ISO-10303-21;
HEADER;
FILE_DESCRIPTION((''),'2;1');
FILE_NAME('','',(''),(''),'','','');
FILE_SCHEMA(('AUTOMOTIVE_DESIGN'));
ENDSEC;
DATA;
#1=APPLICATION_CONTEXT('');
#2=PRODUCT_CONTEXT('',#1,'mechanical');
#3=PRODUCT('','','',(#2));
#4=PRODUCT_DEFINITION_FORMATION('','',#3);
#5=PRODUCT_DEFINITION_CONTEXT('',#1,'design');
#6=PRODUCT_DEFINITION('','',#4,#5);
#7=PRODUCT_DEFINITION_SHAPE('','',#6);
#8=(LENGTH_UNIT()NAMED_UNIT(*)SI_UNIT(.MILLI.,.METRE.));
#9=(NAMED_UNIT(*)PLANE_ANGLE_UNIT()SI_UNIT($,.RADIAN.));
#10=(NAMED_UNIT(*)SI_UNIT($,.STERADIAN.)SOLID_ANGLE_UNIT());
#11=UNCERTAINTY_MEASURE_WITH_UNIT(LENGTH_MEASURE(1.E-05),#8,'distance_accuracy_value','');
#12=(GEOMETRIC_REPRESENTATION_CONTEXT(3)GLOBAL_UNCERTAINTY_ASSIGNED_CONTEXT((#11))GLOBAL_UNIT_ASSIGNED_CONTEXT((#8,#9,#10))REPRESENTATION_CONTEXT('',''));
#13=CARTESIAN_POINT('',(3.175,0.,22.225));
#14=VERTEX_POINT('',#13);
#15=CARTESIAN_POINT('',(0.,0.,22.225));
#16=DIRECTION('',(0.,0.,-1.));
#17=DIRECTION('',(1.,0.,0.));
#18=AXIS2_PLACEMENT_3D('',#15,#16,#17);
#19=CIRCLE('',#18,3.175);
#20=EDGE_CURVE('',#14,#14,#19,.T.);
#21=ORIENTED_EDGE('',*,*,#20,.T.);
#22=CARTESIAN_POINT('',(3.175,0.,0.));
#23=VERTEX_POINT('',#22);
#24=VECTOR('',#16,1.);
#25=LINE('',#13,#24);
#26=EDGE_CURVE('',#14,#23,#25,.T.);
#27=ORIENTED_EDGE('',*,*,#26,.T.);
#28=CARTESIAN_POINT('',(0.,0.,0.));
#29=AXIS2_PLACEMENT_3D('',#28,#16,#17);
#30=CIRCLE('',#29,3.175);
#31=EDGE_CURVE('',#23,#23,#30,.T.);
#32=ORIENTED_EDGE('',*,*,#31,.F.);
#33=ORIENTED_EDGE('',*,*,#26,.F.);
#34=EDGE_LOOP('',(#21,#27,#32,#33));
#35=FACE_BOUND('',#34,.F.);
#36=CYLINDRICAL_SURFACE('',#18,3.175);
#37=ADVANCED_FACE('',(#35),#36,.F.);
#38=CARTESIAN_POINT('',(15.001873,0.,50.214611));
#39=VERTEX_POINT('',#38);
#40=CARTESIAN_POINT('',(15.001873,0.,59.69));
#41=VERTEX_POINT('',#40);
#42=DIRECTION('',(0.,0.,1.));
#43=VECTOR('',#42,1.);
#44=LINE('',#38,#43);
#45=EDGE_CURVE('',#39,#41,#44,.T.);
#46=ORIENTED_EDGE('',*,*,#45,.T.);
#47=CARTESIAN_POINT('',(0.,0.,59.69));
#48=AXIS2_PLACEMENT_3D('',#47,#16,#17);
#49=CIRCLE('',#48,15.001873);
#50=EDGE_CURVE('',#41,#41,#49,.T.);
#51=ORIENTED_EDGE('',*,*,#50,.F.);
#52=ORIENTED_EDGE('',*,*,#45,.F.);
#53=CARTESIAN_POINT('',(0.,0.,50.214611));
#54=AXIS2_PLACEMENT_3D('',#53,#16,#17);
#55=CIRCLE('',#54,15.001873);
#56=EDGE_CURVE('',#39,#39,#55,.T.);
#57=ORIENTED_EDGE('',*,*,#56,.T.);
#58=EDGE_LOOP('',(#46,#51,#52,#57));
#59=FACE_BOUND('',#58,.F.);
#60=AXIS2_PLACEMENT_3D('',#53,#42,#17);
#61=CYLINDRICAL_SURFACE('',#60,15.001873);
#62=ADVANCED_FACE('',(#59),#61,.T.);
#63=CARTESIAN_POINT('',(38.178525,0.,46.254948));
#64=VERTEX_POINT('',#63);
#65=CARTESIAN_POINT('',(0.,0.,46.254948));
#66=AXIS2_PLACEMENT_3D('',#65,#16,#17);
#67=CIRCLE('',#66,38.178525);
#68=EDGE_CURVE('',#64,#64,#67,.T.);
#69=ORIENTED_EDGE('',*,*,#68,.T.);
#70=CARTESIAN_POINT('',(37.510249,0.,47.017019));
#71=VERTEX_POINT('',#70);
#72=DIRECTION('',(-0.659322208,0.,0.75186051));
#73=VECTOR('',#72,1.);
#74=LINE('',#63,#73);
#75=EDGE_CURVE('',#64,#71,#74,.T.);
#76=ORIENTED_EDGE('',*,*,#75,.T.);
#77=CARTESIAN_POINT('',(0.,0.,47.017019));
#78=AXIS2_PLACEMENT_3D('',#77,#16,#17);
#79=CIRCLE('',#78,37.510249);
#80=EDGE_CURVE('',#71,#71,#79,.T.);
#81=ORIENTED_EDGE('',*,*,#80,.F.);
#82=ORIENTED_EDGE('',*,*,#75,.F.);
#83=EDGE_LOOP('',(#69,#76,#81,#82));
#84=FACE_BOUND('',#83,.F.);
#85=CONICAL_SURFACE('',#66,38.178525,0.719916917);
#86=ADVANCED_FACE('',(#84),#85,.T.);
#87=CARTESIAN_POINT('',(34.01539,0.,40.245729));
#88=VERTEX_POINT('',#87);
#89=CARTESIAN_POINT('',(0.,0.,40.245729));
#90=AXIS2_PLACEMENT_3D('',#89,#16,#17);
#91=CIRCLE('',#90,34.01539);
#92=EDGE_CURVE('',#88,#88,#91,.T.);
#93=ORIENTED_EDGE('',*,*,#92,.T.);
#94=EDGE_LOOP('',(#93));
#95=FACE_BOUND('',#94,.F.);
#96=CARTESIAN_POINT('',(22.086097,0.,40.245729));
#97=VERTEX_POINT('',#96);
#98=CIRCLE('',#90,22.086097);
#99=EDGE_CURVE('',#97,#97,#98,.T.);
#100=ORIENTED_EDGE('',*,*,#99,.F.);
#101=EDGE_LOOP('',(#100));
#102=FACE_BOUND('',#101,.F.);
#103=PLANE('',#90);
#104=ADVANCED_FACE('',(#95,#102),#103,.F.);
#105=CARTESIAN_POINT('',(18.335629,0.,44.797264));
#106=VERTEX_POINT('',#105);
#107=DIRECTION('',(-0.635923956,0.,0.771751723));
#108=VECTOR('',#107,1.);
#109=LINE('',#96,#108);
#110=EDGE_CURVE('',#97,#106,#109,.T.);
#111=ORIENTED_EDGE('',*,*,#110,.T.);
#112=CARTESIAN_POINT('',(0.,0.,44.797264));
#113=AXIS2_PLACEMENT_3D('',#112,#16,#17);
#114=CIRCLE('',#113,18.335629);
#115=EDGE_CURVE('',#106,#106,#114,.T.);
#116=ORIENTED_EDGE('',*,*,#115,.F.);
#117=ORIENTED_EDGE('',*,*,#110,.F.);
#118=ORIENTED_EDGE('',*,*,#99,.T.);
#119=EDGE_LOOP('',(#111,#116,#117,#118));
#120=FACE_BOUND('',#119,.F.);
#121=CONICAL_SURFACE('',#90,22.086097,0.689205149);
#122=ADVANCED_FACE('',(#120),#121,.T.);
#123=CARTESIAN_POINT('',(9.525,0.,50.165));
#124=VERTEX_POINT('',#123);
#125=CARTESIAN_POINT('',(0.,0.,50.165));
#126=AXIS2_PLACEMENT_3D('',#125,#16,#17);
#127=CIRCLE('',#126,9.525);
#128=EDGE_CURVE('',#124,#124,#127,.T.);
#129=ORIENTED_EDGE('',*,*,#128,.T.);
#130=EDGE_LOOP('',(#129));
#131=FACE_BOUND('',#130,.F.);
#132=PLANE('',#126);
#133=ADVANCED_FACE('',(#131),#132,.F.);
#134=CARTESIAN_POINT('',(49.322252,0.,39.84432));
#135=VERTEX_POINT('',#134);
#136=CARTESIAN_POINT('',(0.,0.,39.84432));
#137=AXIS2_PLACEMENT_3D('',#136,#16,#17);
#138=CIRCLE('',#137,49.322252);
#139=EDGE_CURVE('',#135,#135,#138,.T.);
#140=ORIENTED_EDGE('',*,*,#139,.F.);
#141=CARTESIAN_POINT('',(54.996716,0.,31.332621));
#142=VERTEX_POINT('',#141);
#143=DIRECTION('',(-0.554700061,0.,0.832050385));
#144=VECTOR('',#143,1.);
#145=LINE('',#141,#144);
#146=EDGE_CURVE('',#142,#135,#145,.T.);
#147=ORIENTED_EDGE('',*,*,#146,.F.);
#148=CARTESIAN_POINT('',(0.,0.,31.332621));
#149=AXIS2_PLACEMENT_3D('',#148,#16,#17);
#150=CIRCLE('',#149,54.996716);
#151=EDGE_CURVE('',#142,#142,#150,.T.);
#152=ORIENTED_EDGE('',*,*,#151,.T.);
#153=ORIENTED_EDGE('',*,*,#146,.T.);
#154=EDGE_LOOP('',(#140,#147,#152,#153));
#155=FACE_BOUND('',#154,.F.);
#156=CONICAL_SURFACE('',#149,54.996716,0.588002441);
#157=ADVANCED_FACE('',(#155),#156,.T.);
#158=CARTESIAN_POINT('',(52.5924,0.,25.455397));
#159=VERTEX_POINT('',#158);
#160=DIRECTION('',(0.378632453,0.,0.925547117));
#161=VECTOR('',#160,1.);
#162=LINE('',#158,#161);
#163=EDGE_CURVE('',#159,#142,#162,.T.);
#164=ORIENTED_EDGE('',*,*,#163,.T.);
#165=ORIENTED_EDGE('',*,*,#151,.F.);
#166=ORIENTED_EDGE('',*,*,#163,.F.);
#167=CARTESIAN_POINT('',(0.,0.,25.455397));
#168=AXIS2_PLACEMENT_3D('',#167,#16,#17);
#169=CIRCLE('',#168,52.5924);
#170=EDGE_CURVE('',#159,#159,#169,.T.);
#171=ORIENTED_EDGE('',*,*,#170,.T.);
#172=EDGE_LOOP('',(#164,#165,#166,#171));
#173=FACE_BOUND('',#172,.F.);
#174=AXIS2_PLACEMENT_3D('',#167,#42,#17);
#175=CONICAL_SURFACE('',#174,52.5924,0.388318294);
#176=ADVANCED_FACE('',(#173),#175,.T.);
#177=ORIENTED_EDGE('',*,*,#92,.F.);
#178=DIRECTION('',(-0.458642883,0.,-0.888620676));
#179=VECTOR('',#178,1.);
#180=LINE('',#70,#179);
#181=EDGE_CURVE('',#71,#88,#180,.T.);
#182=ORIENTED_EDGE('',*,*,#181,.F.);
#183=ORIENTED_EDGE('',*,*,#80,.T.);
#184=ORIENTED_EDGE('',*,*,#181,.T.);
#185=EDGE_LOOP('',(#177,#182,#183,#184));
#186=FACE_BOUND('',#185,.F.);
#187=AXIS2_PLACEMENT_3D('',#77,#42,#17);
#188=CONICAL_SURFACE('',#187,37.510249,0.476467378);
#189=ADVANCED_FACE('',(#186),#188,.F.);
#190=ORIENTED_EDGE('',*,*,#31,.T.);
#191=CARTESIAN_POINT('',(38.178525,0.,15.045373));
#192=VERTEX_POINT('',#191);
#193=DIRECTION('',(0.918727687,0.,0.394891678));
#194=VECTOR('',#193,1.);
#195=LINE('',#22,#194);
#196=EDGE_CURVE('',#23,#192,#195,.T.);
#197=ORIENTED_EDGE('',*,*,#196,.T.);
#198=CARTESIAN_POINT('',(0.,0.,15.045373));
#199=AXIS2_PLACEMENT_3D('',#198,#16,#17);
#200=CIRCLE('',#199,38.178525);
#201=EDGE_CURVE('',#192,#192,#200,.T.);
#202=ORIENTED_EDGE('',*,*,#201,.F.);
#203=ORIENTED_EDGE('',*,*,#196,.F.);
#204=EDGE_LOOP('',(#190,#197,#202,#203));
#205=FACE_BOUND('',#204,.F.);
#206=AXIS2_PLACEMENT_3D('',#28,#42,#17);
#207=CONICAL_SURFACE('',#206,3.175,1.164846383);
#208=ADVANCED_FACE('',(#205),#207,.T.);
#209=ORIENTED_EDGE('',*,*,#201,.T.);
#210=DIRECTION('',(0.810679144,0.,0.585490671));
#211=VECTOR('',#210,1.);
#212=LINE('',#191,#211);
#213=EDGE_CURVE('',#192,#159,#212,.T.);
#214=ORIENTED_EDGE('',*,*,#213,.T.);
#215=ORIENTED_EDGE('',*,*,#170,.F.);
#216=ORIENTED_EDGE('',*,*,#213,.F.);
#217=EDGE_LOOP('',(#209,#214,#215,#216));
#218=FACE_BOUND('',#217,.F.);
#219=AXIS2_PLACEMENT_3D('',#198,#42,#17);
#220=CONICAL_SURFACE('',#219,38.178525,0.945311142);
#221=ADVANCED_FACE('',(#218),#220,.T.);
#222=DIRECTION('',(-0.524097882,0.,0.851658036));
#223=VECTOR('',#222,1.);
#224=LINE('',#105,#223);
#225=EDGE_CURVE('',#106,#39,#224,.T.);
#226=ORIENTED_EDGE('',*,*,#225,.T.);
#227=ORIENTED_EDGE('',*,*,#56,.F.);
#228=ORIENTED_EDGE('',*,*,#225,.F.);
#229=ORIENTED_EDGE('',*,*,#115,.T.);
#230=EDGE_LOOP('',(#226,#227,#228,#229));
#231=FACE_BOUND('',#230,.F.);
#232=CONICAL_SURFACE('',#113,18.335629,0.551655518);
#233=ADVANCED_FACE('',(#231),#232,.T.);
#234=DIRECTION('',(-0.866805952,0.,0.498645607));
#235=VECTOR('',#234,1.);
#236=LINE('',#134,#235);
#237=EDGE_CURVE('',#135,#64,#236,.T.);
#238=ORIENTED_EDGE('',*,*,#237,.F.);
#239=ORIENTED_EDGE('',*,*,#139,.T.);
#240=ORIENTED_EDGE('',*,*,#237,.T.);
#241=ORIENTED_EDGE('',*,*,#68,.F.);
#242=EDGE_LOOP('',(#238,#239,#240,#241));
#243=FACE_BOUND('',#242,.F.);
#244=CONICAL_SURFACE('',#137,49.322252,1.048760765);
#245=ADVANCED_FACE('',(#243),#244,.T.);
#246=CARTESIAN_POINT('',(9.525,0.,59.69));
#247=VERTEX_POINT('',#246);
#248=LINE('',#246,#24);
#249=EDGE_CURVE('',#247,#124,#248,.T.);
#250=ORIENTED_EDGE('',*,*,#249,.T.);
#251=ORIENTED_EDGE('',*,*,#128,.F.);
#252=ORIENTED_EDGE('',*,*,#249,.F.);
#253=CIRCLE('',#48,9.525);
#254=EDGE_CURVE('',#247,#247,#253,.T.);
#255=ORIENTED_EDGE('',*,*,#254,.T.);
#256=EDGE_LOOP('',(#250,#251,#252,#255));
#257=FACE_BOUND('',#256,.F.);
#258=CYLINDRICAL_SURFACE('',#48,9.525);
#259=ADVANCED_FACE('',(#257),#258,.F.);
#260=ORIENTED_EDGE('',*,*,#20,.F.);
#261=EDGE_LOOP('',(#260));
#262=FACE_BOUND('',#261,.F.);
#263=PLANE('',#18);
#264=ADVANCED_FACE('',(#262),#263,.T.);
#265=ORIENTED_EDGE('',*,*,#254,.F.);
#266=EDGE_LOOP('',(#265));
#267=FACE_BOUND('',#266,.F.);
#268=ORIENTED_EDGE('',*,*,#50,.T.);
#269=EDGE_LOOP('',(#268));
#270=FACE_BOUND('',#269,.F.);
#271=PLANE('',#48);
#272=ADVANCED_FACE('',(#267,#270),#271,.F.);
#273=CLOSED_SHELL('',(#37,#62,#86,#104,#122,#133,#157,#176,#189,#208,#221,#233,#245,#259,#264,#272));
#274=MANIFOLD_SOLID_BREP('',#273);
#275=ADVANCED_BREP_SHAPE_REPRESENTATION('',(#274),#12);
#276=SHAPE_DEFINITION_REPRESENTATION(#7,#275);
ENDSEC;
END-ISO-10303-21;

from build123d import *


with BuildPart() as f1:
    # F0 (on Front) → F1 (revolve)
    with BuildSketch(Plane.XZ):
        Polygon((0, 50.165), (0, 22.225), (3.175, 22.225), (3.175, 0), (38.178525, 15.045373), (52.5924, 25.455397), (54.996716, 31.332621), (49.322252, 39.84432), (38.178525, 46.254948), (37.510249, 47.017019), (34.01539, 40.245729), (26.39539, 40.245729), (22.086097, 40.245729), (18.335629, 44.797264), (15.001873, 50.214611), (15.001873, 59.69), (9.525, 59.69), (9.525, 50.165), align=None)
    revolve(axis=Axis((0, 0, 36.195), (0, 0, -1)))


solid = f1.part
